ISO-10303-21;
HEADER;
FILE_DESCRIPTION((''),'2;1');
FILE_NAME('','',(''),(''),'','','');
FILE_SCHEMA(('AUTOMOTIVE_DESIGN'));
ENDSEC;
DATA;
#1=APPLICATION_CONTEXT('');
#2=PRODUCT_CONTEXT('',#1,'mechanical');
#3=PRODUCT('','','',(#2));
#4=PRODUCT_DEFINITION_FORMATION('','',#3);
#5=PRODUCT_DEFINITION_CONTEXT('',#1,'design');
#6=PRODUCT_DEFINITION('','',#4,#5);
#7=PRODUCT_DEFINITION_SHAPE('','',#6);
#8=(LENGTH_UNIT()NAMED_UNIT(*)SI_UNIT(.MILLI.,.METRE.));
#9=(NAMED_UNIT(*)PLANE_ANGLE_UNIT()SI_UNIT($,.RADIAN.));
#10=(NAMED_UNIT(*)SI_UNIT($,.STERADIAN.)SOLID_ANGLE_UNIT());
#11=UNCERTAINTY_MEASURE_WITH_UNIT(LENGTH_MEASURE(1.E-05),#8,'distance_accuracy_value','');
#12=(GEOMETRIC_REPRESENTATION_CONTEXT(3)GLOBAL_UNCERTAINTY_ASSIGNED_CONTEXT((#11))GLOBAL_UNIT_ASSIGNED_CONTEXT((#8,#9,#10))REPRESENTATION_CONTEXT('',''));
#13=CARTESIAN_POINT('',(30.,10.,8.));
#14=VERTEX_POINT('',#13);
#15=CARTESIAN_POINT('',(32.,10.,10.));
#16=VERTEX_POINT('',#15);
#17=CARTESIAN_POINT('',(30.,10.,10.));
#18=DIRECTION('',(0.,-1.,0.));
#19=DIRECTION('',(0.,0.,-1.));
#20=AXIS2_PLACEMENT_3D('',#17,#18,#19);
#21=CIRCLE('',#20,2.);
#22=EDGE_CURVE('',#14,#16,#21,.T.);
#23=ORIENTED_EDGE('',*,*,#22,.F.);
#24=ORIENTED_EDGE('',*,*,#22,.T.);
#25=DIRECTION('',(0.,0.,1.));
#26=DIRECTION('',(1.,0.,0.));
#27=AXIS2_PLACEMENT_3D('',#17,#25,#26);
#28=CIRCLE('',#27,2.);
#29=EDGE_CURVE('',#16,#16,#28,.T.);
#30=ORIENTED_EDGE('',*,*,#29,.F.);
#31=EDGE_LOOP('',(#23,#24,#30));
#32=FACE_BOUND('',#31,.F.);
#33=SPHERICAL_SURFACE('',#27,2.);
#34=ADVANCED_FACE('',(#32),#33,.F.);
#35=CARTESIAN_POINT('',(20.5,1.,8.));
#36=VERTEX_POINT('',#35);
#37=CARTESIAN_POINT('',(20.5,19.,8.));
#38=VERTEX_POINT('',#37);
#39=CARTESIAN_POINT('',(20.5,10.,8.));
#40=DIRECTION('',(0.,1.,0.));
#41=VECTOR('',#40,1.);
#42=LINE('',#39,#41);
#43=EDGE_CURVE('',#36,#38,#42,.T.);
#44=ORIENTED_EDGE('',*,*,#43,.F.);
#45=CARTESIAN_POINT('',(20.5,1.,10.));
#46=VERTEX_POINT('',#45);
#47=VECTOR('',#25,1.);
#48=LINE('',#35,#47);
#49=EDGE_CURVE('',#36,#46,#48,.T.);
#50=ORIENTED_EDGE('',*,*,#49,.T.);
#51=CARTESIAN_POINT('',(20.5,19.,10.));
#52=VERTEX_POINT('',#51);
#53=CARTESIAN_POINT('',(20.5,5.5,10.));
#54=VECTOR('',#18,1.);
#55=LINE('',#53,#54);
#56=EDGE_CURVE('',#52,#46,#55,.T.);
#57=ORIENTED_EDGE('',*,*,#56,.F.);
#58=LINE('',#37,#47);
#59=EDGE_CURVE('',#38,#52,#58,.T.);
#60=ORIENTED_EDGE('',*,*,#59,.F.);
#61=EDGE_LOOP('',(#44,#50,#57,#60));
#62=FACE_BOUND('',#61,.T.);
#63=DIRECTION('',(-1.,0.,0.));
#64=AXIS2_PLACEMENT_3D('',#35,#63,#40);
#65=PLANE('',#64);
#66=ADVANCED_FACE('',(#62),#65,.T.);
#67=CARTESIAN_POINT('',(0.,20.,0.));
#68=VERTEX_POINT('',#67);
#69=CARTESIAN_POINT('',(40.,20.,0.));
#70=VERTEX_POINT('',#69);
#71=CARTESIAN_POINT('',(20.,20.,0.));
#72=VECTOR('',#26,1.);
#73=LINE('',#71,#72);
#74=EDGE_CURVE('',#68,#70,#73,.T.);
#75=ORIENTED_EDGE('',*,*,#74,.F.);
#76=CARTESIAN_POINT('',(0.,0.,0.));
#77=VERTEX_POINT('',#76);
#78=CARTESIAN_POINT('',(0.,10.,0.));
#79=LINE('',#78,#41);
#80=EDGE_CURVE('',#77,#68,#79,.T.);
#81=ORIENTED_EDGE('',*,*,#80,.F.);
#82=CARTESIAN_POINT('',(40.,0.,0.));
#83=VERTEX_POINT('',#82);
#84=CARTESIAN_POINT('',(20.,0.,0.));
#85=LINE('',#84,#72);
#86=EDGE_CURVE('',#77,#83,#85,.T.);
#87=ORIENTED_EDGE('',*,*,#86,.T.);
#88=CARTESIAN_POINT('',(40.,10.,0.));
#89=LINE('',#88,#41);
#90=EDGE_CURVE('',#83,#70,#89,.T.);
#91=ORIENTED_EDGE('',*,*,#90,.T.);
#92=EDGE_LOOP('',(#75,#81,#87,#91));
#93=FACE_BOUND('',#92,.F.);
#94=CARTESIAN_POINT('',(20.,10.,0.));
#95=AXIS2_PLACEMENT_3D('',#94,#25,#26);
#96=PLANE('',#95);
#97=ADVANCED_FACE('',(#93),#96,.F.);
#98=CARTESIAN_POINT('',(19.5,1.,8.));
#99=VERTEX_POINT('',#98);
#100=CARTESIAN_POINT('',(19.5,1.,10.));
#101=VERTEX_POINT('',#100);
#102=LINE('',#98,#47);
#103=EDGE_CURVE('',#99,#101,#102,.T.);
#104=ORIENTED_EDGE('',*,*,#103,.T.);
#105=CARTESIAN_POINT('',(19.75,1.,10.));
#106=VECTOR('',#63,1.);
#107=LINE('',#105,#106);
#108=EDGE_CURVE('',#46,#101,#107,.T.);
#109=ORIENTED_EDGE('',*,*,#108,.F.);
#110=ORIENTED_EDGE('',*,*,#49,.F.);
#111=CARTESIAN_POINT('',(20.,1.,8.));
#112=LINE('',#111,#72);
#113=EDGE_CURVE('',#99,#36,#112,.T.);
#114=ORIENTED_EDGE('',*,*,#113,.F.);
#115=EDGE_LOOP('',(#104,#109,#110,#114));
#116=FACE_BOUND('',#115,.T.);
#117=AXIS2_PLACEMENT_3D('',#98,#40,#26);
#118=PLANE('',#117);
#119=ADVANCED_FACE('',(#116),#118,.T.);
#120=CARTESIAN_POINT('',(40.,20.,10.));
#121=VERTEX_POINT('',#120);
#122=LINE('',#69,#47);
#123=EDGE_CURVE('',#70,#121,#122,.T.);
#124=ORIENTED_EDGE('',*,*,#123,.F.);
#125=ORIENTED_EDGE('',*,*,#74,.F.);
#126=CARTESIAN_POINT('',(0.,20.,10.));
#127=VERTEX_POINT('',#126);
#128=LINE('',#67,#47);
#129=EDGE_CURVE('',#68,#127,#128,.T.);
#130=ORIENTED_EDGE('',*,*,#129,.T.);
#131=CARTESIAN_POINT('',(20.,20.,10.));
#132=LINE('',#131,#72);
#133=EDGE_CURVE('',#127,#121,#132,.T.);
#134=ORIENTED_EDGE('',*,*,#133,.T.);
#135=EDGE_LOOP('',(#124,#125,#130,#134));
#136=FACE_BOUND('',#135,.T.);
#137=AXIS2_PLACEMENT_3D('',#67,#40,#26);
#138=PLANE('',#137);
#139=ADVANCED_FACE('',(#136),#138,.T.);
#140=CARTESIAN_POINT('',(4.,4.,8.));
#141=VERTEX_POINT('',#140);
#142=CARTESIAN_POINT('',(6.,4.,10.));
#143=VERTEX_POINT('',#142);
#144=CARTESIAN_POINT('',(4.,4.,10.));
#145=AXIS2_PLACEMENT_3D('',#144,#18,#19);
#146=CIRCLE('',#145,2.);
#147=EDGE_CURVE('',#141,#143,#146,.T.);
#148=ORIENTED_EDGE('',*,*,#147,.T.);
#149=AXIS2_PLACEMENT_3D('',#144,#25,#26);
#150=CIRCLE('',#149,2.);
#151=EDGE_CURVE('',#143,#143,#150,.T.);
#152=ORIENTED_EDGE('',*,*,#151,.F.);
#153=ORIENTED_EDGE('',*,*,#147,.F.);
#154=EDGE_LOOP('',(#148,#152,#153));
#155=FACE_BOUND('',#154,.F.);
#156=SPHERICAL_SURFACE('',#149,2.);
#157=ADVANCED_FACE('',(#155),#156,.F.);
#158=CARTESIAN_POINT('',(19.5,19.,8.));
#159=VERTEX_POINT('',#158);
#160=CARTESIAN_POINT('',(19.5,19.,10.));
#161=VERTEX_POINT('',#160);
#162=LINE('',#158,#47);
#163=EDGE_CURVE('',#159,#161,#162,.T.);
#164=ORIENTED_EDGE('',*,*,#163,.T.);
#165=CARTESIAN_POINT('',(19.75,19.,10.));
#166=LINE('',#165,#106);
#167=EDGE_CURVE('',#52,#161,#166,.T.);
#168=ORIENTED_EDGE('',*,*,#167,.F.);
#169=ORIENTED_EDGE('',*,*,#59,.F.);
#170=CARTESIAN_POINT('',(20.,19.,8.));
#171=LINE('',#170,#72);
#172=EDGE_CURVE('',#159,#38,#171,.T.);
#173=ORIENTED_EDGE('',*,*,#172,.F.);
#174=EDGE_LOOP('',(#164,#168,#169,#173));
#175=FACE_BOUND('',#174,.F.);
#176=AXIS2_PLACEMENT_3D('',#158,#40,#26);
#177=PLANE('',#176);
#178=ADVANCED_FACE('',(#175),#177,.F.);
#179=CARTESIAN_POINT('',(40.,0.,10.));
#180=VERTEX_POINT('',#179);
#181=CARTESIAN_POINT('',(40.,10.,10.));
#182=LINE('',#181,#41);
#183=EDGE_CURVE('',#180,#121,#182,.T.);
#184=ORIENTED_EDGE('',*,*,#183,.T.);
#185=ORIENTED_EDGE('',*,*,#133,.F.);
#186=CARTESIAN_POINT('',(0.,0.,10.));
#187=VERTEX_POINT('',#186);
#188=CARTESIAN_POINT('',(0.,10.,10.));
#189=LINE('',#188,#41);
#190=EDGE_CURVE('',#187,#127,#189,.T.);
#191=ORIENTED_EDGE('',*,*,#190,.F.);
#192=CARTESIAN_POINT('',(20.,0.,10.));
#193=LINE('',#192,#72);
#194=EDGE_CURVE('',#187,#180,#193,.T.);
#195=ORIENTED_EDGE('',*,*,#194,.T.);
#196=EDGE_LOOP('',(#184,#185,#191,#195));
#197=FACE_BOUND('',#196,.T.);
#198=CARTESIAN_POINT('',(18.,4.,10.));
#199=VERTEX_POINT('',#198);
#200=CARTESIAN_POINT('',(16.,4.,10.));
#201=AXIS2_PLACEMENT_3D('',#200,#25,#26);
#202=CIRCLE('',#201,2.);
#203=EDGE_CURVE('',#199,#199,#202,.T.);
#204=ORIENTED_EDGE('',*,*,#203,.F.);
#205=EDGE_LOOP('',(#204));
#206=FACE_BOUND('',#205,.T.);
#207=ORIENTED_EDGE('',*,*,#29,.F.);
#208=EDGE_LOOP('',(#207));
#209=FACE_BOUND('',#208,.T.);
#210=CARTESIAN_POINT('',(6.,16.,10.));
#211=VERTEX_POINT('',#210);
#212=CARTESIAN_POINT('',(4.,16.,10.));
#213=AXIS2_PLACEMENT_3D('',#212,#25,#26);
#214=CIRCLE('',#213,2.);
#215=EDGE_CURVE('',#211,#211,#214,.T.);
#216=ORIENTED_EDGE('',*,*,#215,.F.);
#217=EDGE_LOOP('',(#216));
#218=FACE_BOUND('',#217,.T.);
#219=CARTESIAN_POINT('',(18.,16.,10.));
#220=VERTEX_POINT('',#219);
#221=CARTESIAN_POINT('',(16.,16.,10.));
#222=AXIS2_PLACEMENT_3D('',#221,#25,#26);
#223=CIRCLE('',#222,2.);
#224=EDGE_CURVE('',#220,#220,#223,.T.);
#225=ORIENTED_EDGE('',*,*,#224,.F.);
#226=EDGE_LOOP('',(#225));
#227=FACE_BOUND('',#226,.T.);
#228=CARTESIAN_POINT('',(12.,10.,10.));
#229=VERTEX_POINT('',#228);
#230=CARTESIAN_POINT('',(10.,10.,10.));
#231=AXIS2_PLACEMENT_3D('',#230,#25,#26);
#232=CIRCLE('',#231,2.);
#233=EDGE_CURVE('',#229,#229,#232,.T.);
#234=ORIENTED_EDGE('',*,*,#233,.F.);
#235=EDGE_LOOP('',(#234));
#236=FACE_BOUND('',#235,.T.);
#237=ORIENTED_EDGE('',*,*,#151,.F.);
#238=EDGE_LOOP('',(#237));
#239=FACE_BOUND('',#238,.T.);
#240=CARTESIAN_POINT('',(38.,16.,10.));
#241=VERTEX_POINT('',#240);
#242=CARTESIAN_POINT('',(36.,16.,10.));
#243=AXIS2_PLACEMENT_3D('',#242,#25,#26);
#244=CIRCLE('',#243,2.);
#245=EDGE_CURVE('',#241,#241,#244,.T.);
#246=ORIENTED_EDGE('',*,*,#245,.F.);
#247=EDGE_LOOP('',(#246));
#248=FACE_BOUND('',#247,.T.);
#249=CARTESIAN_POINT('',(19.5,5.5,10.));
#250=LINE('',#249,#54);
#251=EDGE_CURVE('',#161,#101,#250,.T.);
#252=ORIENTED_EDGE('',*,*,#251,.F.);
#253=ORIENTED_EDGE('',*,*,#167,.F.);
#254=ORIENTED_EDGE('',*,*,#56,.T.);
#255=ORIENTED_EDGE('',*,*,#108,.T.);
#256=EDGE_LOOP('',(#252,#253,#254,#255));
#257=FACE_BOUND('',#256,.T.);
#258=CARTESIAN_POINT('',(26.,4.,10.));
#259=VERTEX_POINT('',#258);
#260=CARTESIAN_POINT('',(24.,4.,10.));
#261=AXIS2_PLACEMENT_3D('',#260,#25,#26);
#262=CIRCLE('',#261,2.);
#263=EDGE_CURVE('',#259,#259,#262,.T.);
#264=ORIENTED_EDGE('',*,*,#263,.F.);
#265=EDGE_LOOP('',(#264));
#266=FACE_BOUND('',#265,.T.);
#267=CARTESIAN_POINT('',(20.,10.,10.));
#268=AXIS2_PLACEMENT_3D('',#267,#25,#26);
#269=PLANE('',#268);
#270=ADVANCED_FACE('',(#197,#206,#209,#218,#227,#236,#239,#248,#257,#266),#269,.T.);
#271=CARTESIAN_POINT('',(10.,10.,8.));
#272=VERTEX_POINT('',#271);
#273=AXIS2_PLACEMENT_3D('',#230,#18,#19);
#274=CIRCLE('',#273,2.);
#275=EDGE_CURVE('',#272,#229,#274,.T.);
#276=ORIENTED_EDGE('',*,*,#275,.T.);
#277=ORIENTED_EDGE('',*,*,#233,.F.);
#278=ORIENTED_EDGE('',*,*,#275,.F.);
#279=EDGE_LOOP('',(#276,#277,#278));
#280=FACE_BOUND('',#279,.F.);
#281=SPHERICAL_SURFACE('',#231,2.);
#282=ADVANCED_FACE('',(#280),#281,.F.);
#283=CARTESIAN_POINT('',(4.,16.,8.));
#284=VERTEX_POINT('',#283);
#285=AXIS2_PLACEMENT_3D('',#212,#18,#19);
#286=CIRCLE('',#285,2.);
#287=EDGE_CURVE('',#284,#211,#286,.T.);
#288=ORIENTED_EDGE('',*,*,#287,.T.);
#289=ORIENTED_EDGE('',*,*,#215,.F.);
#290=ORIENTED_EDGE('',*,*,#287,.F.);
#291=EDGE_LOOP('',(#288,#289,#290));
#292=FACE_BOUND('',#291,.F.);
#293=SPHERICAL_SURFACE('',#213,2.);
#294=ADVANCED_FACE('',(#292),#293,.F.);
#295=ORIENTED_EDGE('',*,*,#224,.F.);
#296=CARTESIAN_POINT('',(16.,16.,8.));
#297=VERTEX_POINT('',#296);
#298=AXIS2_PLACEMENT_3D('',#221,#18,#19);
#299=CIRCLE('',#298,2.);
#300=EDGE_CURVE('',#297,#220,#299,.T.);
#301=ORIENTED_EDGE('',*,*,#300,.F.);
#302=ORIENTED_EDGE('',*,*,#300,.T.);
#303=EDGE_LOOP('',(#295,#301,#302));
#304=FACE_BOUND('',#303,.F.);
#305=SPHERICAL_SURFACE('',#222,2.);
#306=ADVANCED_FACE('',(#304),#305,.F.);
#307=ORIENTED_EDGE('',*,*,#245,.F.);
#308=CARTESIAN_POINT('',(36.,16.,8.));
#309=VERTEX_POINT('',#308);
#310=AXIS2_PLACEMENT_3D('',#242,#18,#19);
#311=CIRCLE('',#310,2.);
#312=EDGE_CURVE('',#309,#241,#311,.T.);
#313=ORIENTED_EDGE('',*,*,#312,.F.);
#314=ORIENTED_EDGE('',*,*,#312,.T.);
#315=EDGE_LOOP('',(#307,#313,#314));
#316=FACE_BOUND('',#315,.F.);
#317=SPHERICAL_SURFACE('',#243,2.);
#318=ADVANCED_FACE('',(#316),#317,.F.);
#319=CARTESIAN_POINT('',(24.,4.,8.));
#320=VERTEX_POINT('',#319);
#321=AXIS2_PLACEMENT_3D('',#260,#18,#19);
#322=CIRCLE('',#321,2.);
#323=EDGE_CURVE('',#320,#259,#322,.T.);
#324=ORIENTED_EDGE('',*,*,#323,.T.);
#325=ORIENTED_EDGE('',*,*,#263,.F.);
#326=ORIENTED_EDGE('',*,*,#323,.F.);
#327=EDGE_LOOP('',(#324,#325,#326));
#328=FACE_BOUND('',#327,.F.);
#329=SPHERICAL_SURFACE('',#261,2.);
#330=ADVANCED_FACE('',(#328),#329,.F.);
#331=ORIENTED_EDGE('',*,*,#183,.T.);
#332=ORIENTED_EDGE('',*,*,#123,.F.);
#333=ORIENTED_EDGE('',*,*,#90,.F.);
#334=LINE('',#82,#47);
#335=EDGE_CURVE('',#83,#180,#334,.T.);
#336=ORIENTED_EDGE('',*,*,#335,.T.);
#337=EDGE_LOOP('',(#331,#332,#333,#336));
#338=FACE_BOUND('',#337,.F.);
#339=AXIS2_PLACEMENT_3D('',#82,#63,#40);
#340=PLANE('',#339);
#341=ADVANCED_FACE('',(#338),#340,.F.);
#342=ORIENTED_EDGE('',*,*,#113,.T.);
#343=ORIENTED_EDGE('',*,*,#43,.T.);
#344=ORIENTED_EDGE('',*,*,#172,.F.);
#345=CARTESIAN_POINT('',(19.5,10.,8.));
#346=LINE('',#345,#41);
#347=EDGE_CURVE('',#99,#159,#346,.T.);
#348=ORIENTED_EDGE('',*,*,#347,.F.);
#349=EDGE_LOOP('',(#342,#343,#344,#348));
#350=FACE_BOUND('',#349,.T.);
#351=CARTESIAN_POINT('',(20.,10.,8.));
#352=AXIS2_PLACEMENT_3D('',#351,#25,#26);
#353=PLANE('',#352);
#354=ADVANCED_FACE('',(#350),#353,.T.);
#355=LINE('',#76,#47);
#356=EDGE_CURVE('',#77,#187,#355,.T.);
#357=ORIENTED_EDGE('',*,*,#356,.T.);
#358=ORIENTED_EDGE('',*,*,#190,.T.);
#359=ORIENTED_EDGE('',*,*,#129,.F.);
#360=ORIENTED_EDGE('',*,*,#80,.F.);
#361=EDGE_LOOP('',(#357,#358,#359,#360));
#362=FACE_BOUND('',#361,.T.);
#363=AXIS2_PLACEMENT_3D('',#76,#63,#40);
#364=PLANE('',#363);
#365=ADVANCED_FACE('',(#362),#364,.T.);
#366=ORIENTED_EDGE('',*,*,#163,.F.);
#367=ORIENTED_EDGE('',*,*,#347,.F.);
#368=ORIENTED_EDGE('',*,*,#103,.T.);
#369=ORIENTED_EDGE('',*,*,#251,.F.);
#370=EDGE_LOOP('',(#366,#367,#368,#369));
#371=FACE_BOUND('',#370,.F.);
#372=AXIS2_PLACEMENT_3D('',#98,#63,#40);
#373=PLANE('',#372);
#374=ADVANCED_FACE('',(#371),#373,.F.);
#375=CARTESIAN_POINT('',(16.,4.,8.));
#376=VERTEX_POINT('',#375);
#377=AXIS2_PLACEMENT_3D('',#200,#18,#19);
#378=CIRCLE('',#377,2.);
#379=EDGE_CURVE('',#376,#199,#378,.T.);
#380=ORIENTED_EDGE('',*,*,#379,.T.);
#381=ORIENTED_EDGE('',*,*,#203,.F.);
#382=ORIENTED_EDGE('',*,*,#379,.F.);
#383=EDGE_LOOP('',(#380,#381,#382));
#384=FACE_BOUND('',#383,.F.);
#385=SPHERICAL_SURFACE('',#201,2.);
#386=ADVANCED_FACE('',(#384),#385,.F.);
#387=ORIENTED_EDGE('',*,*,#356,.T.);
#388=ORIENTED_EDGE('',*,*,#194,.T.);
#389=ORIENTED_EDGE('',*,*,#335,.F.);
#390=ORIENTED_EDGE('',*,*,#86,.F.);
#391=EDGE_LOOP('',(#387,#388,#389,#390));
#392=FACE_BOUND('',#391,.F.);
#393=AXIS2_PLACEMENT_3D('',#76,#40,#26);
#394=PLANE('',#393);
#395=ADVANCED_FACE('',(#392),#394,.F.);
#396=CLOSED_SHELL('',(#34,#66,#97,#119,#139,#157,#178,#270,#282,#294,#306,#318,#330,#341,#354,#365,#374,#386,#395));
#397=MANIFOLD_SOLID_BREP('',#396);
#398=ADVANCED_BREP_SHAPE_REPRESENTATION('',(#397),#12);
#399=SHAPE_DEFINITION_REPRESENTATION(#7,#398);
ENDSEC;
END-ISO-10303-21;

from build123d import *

# Parameters (mm, degrees)
ARRAY_X_COUNT = 2
ARRAY_X_PITCH = 12
ARRAY_Y_COUNT = 2
ARRAY_Y_PITCH = 12
BOX001_W      = 1
BOX001_H      = 18
BOX001_DEPTH  = 10
BOX_W         = 40
BOX_H         = 20
BOX_DEPTH     = 10


with BuildPart() as esfera004:
    # Sphere004 → Sphere004 (revolve)
    with BuildSketch(Plane(origin=(36, 16, 10), x_dir=(1, 0, 0), z_dir=(0, -1, 0))):
        with BuildLine():
            ThreePointArc((0, -2), (2, 0), (0, 2))
            Line((0, 2), (0, -2))
        make_face()
    revolve(axis=Axis((36, 16, 10), (0, 0, 1)))


with BuildPart() as esfera003:
    # Sphere003 → Sphere003 (revolve)
    with BuildSketch(Plane(origin=(30, 10, 10), x_dir=(1, 0, 0), z_dir=(0, -1, 0))):
        with BuildLine():
            ThreePointArc((0, -2), (2, 0), (0, 2))
            Line((0, 2), (0, -2))
        make_face()
    revolve(axis=Axis((30, 10, 10), (0, 0, 1)))


with BuildPart() as esfera002:
    # Sphere002 → Sphere002 (revolve)
    with BuildSketch(Plane(origin=(24, 4, 10), x_dir=(1, 0, 0), z_dir=(0, -1, 0))):
        with BuildLine():
            ThreePointArc((0, -2), (2, 0), (0, 2))
            Line((0, 2), (0, -2))
        make_face()
    revolve(axis=Axis((24, 4, 10), (0, 0, 1)))


with BuildPart() as esfera001:
    # Sphere001 → Sphere001 (revolve)
    with BuildSketch(Plane(origin=(10, 10, 10), x_dir=(1, 0, 0), z_dir=(0, -1, 0))):
        with BuildLine():
            ThreePointArc((0, -2), (2, 0), (0, 2))
            Line((0, 2), (0, -2))
        make_face()
    revolve(axis=Axis((10, 10, 10), (0, 0, 1)))


with BuildPart() as array:
    # Sphere → Sphere (revolve)
    with BuildSketch(Plane(origin=(4, 4, 10), x_dir=(1, 0, 0), z_dir=(0, -1, 0))):
        with BuildLine():
            ThreePointArc((0, -2), (2, 0), (0, 2))
            Line((0, 2), (0, -2))
        make_face()
    revolve(axis=Axis((4, 4, 10), (0, 0, 1)))

    # Array X: Array ×2


with BuildPart() as array_1:
    add(array.part)
    with Locations(*[(i * ARRAY_X_PITCH, 0, 0) for i in range(1, ARRAY_X_COUNT)]):
        add(array.part)

    # Array Y: Array ×2


with BuildPart() as array_2:
    add(array_1.part)
    with Locations(*[(0, i * ARRAY_Y_PITCH, 0) for i in range(1, ARRAY_Y_COUNT)]):
        add(array_1.part)


with BuildPart() as linia_mig:
    # Box001 → Box001 (new body)
    with BuildSketch(Plane(origin=(19.5, 1, 8), x_dir=(1, 0, 0), z_dir=(0, 0, 1))):
        with Locations((0.5, 9)):
            Rectangle(BOX001_W, BOX001_H)
    extrude(amount=BOX001_DEPTH)


with BuildPart() as cut005:
    # Box → Box (new body)
    with BuildSketch(Plane.XY):
        with Locations((20, 10)):
            Rectangle(BOX_W, BOX_H)
    extrude(amount=BOX_DEPTH)

    # Cut: cut Linia mig
    add(linia_mig.part, mode=Mode.SUBTRACT)

    # Cut001: cut Array
    add(array_2.part, mode=Mode.SUBTRACT)

    # Cut002: cut Esfera001
    add(esfera001.part, mode=Mode.SUBTRACT)

    # Cut003: cut Esfera002
    add(esfera002.part, mode=Mode.SUBTRACT)

    # Cut004: cut Esfera003
    add(esfera003.part, mode=Mode.SUBTRACT)

    # Cut005: cut Esfera004
    add(esfera004.part, mode=Mode.SUBTRACT)


solid = cut005.part
